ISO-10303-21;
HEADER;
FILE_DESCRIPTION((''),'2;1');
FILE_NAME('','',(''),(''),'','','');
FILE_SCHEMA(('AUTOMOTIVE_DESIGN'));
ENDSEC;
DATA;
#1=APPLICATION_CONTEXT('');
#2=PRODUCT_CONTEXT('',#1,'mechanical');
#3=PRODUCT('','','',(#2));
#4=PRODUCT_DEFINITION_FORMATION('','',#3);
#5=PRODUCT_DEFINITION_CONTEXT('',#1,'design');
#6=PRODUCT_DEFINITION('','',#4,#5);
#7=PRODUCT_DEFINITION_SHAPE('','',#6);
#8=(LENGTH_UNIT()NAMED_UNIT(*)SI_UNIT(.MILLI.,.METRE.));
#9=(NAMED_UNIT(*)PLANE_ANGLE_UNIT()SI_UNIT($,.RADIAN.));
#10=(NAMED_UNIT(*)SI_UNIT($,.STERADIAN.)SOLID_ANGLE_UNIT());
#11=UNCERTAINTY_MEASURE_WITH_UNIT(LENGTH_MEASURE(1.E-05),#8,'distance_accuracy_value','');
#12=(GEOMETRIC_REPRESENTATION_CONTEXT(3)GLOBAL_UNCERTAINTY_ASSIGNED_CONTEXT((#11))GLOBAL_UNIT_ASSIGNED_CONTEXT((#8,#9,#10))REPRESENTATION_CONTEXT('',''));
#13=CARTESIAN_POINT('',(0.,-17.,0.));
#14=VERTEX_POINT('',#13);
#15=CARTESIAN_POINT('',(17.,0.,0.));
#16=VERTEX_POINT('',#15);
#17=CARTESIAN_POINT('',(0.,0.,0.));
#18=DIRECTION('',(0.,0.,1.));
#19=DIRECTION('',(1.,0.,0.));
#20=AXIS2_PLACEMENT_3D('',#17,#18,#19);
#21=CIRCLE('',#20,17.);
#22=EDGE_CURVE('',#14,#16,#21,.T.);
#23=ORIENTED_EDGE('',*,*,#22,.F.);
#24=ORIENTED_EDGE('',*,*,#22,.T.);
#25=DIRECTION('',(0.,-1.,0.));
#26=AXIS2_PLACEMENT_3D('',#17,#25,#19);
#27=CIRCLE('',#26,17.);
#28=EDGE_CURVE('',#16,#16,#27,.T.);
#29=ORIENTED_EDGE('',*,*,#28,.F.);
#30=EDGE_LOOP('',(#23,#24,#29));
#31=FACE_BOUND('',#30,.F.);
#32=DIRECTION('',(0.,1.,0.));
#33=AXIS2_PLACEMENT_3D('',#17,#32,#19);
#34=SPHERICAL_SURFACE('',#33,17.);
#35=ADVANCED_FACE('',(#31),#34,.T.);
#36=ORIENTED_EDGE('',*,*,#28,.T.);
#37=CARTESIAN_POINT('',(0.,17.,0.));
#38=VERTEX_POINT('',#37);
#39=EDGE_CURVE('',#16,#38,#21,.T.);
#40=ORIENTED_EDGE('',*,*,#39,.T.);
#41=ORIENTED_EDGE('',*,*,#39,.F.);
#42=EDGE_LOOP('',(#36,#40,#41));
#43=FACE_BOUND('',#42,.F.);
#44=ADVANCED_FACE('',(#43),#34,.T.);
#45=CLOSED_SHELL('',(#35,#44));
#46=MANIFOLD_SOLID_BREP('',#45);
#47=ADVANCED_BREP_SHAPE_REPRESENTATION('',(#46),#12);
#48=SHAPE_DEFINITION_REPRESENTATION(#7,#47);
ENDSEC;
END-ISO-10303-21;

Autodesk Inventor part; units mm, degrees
ref_plane "YZ Plane" through (0, 0, 0) normal (1, 0, 0) x (0, 1, 0)
ref_plane "XZ Plane" through (0, 0, 0) normal (0, 1, 0) x (-1, 0, 0)
ref_plane "XY Plane" through (0, 0, 0) normal (0, 0, 1) x (1, 0, 0)
sketch "Sketch1" plane through (0, 0, 0) normal (0, 0, 1) x (1, 0, 0)
  circle A0 centre (0, 0) radius 17
  line L0 (0, 17) -> (0, -17)
  dimension "d0" = 34
revolve "Revolution1" add sketch "Sketch1" angle 360 about axis through (0, 17, 0) along (0, -1, 0) picked at (5.1055, 2.4587) contours A0 L0
properties part number "3D Printing"
